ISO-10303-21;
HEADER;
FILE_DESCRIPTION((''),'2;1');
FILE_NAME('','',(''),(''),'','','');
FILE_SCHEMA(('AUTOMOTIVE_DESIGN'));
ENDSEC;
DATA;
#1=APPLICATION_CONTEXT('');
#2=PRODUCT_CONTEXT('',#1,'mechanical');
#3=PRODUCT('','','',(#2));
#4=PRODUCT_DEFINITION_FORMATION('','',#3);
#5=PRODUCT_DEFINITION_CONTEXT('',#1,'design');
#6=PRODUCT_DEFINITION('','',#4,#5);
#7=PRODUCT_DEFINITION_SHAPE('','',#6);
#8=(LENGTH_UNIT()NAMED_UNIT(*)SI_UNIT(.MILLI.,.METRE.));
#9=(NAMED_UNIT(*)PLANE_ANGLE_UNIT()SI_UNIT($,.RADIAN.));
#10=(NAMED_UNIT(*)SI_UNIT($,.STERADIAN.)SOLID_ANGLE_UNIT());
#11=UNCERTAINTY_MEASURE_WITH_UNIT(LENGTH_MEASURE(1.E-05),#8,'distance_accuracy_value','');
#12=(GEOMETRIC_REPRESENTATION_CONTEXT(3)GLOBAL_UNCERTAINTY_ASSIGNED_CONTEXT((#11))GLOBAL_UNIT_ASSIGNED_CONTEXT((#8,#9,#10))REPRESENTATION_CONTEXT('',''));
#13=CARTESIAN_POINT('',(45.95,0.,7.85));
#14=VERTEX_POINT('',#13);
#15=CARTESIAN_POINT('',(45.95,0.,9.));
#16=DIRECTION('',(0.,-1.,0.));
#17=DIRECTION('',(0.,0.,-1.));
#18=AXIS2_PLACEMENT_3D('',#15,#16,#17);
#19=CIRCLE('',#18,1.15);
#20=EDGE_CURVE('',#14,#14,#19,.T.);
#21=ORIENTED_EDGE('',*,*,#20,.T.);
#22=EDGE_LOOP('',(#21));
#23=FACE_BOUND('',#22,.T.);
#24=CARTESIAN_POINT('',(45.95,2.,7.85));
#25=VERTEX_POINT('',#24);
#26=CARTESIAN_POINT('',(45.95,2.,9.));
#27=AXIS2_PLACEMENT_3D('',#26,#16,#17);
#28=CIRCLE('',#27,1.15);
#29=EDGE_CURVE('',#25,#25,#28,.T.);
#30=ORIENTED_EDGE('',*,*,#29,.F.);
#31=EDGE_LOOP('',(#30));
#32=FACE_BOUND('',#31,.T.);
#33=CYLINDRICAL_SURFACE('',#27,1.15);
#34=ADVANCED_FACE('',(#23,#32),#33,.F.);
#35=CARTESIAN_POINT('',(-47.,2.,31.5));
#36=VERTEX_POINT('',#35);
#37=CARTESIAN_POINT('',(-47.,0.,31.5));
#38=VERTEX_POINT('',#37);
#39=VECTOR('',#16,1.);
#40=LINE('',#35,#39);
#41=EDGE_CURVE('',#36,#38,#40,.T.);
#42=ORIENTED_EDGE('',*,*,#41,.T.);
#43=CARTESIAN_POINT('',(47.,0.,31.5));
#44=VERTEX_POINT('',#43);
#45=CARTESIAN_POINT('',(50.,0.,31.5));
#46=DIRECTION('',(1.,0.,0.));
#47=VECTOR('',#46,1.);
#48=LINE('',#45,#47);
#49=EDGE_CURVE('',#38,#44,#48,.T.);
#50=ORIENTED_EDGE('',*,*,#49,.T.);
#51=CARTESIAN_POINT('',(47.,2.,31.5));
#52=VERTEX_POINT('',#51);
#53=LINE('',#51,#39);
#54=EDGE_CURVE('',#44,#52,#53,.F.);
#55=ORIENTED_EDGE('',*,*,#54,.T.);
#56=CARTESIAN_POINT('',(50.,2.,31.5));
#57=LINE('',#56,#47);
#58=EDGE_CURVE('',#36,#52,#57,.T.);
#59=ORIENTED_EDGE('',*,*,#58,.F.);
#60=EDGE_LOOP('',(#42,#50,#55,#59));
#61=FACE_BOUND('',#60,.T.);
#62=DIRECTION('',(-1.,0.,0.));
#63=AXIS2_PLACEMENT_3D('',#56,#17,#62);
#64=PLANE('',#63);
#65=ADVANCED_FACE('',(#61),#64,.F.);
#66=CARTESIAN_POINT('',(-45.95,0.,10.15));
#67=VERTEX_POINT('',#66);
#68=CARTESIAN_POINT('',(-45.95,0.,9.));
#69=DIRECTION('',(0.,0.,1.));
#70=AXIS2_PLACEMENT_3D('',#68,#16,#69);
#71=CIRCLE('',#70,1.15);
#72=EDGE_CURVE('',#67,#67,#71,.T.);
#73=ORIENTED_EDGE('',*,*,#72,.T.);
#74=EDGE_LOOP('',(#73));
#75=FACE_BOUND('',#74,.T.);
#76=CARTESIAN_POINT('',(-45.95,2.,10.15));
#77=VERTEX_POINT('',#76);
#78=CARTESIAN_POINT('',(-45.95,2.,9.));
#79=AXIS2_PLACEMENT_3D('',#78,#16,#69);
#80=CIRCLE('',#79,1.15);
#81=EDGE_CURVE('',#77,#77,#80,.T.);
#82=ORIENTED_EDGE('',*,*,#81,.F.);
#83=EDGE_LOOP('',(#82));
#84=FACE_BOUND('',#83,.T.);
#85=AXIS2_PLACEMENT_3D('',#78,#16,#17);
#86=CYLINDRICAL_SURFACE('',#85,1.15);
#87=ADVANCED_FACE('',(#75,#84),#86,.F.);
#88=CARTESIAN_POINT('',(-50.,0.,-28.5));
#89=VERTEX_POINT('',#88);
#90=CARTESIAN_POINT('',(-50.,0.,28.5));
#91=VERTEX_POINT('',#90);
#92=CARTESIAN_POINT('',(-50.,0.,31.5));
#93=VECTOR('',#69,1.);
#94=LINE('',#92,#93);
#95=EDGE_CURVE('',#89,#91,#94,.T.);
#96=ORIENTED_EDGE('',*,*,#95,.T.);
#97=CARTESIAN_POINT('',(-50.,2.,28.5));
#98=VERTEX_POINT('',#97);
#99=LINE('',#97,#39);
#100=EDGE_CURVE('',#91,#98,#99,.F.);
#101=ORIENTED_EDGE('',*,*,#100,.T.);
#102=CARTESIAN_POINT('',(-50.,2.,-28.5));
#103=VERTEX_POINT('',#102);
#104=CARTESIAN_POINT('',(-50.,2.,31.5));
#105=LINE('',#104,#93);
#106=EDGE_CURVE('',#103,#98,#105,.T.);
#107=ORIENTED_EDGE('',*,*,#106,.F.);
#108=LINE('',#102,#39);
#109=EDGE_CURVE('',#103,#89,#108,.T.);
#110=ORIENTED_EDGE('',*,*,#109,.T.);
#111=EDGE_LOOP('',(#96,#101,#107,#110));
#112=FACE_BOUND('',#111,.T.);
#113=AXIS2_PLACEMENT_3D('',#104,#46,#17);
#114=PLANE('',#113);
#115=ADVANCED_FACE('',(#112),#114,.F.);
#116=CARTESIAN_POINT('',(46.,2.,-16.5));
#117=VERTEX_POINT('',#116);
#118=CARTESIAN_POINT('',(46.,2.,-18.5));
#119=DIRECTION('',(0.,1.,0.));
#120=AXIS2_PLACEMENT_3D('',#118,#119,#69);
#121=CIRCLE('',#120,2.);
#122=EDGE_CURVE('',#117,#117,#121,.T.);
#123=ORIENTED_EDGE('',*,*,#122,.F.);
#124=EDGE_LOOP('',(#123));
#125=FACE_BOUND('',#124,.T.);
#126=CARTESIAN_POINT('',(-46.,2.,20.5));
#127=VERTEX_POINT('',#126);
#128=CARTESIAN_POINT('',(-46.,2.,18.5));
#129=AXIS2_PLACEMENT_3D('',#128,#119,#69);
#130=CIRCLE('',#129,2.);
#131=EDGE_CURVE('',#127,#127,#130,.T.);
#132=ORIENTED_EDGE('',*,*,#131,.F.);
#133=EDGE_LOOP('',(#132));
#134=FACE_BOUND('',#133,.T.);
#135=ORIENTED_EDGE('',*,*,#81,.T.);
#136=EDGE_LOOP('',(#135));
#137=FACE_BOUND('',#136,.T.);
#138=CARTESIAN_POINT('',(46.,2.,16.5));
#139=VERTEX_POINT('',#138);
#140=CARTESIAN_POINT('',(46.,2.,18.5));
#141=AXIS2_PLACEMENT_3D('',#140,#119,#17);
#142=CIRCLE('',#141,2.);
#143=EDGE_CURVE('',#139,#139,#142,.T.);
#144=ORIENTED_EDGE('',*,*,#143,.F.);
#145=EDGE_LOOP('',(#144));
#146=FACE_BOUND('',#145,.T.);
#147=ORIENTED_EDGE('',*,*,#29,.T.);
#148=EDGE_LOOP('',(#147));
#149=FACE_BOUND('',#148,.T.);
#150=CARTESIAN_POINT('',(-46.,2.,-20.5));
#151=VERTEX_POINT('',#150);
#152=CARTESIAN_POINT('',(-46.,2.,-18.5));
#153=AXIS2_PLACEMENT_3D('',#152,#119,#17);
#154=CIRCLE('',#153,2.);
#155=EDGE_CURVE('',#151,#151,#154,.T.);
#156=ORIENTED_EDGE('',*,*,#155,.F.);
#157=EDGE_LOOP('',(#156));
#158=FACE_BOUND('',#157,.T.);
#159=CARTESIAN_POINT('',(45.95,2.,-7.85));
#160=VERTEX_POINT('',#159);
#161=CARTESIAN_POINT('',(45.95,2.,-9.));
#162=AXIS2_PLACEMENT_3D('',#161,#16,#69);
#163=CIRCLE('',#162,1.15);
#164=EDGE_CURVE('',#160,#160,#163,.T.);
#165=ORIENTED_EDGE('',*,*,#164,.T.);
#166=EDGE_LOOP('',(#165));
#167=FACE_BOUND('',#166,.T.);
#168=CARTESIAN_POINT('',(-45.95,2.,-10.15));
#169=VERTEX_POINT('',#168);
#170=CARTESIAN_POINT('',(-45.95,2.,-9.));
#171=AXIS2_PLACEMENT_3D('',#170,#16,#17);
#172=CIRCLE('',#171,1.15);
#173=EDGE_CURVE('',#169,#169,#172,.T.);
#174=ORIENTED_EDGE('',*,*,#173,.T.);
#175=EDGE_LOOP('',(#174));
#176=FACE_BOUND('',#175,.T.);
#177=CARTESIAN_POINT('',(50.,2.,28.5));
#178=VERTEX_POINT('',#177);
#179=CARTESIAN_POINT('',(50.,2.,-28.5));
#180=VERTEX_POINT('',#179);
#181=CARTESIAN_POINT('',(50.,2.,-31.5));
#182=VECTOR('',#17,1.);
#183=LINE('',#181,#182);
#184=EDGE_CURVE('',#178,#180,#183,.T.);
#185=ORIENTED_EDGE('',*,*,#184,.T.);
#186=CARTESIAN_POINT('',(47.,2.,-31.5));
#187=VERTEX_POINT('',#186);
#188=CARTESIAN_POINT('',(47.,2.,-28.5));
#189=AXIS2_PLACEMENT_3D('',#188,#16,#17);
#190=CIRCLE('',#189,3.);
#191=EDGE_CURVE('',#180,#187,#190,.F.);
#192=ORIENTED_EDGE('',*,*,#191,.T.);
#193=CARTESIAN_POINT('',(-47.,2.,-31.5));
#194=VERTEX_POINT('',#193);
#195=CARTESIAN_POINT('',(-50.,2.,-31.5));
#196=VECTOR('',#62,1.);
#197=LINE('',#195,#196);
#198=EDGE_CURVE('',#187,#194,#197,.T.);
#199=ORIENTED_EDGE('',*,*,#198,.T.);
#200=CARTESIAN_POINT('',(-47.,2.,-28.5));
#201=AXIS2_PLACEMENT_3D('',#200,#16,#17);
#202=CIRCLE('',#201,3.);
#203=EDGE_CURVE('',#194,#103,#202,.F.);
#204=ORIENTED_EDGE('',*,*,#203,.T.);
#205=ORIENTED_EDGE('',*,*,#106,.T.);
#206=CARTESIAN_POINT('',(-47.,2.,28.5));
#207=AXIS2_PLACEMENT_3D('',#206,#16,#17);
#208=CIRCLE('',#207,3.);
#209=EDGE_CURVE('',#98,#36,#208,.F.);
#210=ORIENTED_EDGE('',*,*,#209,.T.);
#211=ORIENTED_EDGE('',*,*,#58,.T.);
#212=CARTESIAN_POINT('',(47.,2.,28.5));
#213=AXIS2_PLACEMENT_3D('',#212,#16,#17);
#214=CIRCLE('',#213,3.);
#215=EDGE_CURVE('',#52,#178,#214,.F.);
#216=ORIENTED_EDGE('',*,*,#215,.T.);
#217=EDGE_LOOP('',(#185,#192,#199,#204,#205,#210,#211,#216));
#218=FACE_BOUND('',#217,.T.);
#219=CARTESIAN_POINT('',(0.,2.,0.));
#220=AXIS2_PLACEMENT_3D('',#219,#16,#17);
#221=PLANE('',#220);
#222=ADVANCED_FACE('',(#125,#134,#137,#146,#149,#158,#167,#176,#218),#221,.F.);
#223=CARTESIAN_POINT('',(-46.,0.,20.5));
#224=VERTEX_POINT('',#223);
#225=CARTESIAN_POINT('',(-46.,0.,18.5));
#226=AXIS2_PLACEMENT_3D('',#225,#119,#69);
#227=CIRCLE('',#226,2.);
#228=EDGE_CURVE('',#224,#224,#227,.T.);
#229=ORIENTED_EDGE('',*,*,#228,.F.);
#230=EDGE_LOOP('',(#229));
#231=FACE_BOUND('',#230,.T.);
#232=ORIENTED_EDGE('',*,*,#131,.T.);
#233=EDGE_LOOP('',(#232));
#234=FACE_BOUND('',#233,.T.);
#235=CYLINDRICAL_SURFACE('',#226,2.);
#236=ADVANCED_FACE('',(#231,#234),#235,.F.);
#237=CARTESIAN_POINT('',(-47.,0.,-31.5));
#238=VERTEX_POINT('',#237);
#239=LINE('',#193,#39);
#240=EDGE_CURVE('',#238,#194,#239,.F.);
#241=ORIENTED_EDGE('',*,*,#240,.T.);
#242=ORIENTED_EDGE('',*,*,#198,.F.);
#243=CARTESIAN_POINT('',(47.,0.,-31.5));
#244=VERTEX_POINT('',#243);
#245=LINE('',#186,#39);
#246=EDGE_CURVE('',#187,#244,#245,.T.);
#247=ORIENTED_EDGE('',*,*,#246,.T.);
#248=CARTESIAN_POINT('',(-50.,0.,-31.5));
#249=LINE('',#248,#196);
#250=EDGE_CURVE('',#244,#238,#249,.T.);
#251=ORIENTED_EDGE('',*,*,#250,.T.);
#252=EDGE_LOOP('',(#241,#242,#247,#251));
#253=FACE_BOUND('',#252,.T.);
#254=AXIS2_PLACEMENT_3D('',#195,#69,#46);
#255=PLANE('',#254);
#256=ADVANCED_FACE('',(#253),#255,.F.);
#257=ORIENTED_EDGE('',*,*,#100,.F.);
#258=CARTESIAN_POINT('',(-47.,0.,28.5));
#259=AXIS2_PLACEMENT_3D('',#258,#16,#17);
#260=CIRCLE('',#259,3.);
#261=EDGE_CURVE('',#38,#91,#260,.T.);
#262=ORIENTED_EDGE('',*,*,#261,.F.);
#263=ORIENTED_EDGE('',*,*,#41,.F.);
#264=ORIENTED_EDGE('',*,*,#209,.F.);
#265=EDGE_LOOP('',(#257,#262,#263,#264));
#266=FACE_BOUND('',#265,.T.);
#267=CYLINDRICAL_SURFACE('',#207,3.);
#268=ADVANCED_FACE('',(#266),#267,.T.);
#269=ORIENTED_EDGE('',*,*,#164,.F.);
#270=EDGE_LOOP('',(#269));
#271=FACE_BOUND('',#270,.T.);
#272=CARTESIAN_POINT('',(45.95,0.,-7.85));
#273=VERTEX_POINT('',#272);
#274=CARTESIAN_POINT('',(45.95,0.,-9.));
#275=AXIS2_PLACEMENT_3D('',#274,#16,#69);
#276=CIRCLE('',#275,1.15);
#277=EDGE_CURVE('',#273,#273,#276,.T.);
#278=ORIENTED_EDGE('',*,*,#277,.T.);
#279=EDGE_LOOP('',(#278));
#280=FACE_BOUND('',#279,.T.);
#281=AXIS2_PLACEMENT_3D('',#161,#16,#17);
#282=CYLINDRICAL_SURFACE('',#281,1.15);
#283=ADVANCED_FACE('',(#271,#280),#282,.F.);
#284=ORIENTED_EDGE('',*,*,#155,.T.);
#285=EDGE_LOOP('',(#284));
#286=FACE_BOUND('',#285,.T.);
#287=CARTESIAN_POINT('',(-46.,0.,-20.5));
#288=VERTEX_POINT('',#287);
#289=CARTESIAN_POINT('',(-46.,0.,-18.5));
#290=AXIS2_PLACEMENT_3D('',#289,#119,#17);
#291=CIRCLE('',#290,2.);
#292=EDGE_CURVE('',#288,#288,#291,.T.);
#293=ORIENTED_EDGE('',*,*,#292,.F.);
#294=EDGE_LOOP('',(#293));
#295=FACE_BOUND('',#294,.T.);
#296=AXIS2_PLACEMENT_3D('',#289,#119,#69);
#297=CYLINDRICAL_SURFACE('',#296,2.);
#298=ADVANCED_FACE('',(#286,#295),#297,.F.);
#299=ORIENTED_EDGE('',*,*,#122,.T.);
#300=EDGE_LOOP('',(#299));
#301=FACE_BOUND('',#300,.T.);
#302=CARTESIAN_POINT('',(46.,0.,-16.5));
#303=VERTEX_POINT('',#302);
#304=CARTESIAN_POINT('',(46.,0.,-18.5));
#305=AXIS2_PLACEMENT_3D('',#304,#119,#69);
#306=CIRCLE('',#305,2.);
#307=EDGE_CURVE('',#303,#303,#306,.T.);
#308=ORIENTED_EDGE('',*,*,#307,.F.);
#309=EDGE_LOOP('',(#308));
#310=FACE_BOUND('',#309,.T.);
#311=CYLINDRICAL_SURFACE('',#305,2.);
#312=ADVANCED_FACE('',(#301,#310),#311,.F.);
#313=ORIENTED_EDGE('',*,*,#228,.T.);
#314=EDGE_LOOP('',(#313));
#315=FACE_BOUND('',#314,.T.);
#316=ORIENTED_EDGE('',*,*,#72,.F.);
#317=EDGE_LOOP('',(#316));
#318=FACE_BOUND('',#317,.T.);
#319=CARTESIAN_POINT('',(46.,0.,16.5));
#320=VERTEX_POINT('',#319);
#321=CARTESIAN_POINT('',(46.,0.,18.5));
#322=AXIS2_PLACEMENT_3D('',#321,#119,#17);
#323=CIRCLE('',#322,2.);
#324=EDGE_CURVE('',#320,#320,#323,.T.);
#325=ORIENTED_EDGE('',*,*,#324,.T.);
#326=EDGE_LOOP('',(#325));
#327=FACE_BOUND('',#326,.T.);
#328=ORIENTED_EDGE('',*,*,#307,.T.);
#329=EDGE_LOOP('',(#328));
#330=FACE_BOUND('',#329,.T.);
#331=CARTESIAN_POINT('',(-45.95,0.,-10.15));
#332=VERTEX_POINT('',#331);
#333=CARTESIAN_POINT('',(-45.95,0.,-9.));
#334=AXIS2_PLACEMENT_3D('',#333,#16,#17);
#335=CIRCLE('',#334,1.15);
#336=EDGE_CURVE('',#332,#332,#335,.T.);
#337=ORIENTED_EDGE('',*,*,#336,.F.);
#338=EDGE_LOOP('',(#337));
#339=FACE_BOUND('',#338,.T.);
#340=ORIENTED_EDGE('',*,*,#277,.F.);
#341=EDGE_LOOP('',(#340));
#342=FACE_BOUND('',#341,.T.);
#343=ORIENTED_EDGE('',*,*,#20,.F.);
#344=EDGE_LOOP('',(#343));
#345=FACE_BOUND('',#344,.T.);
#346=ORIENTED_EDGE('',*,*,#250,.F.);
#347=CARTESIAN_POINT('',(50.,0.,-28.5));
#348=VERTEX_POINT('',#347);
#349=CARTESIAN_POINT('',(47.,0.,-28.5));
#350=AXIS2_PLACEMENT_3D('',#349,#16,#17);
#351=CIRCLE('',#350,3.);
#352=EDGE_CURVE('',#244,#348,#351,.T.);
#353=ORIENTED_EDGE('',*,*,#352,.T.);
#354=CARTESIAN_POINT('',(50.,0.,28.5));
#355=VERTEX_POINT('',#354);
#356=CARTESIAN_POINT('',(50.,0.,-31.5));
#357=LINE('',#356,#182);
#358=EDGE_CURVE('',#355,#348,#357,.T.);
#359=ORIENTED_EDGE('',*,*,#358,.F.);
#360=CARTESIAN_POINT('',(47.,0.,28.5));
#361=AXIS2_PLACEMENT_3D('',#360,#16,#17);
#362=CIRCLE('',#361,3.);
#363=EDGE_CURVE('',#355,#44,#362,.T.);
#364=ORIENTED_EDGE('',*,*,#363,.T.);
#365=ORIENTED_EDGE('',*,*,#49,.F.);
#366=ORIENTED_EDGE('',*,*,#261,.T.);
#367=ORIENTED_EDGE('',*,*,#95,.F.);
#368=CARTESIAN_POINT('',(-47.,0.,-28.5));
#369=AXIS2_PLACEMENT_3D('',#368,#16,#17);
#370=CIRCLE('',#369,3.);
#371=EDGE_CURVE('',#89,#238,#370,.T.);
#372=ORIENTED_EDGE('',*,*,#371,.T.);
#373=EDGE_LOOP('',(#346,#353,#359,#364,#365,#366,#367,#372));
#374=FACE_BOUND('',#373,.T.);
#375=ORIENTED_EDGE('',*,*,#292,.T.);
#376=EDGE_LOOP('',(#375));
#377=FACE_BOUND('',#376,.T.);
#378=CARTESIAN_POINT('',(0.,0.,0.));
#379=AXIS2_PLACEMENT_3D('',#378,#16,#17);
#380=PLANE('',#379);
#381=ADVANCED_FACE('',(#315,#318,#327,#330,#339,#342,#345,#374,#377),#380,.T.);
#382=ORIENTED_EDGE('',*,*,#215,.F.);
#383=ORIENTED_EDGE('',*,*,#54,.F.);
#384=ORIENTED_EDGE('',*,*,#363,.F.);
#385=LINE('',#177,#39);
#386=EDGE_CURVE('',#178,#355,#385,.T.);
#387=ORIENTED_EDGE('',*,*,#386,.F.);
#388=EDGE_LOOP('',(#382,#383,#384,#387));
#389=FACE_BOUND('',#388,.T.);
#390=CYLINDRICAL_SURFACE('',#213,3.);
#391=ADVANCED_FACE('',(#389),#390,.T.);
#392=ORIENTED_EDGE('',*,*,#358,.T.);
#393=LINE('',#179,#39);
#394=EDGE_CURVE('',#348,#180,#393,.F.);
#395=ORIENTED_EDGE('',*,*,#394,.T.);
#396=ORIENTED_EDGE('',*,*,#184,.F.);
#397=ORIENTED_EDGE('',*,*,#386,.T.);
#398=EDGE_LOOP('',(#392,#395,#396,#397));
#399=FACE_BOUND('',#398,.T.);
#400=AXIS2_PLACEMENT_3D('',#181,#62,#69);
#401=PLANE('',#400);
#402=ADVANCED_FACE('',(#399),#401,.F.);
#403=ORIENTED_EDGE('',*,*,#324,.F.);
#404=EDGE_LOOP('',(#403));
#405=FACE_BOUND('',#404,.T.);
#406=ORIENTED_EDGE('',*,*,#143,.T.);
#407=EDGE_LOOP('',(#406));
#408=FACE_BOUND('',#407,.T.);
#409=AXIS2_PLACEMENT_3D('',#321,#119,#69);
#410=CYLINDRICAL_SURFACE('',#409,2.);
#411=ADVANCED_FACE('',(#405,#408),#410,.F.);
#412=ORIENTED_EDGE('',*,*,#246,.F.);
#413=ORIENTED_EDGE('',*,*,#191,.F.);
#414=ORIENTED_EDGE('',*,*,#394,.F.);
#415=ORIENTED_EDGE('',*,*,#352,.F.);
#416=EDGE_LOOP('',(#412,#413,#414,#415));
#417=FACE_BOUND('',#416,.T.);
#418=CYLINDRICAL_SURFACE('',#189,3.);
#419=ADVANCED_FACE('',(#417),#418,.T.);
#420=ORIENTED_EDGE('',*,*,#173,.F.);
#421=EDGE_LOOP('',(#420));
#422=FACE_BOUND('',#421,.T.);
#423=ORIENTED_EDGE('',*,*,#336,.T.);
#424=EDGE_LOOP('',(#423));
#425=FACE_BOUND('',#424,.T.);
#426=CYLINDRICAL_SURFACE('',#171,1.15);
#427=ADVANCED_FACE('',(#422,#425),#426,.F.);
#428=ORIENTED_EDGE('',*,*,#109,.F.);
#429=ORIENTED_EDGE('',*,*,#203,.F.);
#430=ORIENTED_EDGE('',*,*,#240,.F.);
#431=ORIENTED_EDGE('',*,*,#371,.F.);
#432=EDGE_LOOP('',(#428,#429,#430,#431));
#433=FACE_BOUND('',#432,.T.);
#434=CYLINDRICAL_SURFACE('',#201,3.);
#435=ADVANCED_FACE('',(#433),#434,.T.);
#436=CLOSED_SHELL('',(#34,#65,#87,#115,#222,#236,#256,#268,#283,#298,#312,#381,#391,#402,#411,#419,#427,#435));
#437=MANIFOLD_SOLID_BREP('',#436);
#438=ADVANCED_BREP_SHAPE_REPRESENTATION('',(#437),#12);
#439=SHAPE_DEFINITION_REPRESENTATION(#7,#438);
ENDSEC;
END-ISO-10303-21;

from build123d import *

# Parameters (mm, degrees)
ESBO_O1_W                = 100
ESBO_O1_H                = 63
RESSALTO_EXTRUS_O1_DEPTH = 2
ESBO_O5_R                = 2
CORTE_EXTRUS_O3_DEPTH    = 60.129096053
FILETE1_R                = 3
ESBO_O6_R                = 1.15
CORTE_EXTRUS_O4_DEPTH    = 60.129096053


with BuildPart() as part:
    # Esboço1 → Ressalto-extrusão1 (new body)
    with BuildSketch(Plane(origin=(0, 0, 0), x_dir=(1, 0, 0), z_dir=(0, 1, 0))):
        Rectangle(ESBO_O1_W, ESBO_O1_H)
    extrude(amount=RESSALTO_EXTRUS_O1_DEPTH)

    # Esboço5 → Corte-extrusão3 (cut, through all)
    with BuildSketch(Plane(origin=(0, 2, 0), x_dir=(1, 0, 0), z_dir=(0, 1, 0))):
        with Locations(Location((46, 18.5, 0), (0, 0, 270))):
            Circle(ESBO_O5_R)
        with Locations(Location((46, -18.5, 0), (0, 0, 90))):
            Circle(ESBO_O5_R)
        with Locations(Location((-46, -18.5, 0), (0, 0, 270))):
            Circle(ESBO_O5_R)
        with Locations(Location((-46, 18.5, 0), (0, 0, 90))):
            Circle(ESBO_O5_R)
    extrude(amount=-CORTE_EXTRUS_O3_DEPTH, mode=Mode.SUBTRACT)

    # Filete1
    filete1_edges = [part.edges().sort_by_distance(p)[0] for p in [
        (-50, 1, -31.5),
        (50, 1, -31.5),
        (50, 1, 31.5),
        (-50, 1, 31.5),
    ]]
    fillet(filete1_edges, radius=FILETE1_R)

    # Esboço6 → Corte-extrusão4 (cut, through all)
    with BuildSketch(Plane.XZ):
        with Locations(Location((45.95, 9, 0), (0, 0, 270))):
            Circle(ESBO_O6_R)
        with Locations(Location((45.95, -9, 0), (0, 0, 90))):
            Circle(ESBO_O6_R)
        with Locations(Location((-45.95, -9, 0), (0, 0, 270))):
            Circle(ESBO_O6_R)
        with Locations(Location((-45.95, 9, 0), (0, 0, 90))):
            Circle(ESBO_O6_R)
    extrude(amount=-CORTE_EXTRUS_O4_DEPTH, mode=Mode.SUBTRACT)


solid = part.part
